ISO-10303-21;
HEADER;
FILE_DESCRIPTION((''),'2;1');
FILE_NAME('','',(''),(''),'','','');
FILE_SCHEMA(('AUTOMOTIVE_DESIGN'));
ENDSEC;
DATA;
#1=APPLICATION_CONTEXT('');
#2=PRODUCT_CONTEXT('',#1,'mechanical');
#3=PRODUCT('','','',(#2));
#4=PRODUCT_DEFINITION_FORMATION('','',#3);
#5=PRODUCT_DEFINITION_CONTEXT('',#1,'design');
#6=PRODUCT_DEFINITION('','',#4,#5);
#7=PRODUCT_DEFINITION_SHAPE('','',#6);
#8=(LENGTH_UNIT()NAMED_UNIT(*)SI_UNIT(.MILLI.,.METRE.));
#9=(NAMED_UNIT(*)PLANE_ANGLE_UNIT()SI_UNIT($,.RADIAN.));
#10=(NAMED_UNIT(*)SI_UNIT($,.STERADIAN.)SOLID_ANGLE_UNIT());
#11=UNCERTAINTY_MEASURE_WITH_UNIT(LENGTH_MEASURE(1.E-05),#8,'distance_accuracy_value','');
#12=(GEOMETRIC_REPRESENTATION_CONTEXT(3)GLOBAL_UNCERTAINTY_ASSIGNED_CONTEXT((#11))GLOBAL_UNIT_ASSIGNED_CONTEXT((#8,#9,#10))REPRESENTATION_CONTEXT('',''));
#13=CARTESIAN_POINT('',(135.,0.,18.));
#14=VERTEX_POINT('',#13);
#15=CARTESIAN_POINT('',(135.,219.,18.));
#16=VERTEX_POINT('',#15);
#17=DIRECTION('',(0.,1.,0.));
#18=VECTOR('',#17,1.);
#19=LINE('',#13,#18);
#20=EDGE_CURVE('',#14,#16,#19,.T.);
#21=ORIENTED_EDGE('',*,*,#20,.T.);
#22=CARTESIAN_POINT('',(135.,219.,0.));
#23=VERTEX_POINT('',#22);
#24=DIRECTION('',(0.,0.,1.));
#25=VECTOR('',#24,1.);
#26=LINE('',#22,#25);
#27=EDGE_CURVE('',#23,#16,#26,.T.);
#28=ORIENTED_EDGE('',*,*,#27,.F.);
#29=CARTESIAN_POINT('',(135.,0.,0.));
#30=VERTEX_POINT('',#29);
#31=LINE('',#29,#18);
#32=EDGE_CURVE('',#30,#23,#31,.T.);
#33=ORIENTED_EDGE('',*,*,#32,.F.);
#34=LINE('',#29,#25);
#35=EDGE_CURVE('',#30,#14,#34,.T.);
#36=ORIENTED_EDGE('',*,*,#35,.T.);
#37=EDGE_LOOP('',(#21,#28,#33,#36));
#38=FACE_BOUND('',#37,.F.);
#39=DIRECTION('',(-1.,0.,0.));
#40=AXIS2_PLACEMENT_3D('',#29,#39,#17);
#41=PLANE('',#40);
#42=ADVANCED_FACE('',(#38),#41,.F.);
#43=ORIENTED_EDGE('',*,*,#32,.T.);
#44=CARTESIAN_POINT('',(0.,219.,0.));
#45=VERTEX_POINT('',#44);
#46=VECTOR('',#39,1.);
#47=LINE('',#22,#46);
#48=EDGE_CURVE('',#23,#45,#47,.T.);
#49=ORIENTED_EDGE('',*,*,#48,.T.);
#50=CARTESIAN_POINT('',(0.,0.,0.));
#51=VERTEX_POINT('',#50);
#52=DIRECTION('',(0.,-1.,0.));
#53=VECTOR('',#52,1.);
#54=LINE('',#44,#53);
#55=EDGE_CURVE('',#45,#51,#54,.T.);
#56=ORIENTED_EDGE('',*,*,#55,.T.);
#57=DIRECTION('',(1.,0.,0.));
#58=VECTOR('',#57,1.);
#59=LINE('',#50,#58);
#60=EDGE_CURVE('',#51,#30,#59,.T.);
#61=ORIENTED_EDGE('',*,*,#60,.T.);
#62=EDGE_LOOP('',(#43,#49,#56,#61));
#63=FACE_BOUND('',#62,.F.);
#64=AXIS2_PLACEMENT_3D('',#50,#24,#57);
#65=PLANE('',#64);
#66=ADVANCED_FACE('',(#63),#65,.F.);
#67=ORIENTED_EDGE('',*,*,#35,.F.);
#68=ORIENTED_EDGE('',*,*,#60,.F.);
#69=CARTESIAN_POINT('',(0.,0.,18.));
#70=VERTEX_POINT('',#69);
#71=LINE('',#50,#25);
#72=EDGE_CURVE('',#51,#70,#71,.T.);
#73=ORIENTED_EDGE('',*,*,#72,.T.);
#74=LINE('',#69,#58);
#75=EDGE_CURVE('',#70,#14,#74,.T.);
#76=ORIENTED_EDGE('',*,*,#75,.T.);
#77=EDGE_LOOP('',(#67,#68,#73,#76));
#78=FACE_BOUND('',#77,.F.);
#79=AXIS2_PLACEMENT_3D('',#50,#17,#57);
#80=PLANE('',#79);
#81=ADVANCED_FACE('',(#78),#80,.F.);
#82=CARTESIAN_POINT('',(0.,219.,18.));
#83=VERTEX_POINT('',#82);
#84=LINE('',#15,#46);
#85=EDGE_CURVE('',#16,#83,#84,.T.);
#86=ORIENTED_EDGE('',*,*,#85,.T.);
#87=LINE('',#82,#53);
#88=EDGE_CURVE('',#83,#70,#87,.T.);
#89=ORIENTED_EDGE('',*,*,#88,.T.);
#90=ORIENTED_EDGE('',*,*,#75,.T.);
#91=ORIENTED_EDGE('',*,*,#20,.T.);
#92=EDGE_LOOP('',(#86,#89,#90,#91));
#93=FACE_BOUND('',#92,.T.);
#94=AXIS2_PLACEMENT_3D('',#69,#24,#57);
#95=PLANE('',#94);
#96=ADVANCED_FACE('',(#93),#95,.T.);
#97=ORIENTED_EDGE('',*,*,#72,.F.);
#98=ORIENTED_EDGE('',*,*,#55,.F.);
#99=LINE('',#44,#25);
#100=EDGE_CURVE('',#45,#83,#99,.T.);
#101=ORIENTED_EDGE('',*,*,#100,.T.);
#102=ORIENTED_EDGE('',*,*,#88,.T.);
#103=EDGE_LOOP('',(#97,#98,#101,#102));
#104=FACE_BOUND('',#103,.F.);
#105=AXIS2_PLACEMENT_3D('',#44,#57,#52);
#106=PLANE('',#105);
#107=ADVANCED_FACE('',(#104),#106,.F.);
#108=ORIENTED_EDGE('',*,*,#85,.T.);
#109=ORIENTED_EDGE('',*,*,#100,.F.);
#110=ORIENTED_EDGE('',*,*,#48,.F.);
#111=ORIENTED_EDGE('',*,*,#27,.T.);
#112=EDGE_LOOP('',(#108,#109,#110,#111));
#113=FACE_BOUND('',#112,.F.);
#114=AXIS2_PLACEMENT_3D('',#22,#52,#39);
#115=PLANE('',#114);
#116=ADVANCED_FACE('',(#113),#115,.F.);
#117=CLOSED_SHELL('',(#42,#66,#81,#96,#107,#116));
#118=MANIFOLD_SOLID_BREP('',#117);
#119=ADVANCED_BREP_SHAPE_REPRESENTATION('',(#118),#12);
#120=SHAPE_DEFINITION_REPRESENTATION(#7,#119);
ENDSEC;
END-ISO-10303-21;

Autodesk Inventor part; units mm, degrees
ref_plane "YZ Plane" through (0, 0, 0) normal (1, 0, 0) x (0, 1, 0)
ref_plane "XZ Plane" through (0, 0, 0) normal (0, 1, 0) x (-1, 0, 0)
ref_plane "XY Plane" through (0, 0, 0) normal (0, 0, 1) x (1, 0, 0)
sketch "Sketch1" plane through (0, 0, 0) normal (0, 0, 1) x (1, 0, 0)
  line L0 (0, 0) -> (135, 0)
  line L1 (135, 0) -> (135, 219)
  line L2 (135, 219) -> (0, 219)
  line L3 (0, 219) -> (0, 0)
  dimension "d1" = 219
  dimension "d2" = 135
extrude "Extrusion1" add sketch "Sketch1" along normal blind 18
sketch "Sketch2" plane through (0, 0, 18) normal (0, 0, 1) x (1, 0, 0)
  line L0 (15, 204) -> (120, 204)
  line L1 (120, 204) -> (120, 15)
  line L2 (120, 15) -> (15, 15)
  line L3 (15, 15) -> (15, 204)
  line L4 (0, 219) -> (0, 0) projected
  line L5 (0, 0) -> (135, 0) projected
  point P0 (0, 109.5)
  point P1 (15, 109.5)
  point P2 (67.5, 15)
  point P3 (67.5, 0)
  dimension "d5" = 105
  dimension "d6" = 189
properties part number "PRC-7-infoboard"
